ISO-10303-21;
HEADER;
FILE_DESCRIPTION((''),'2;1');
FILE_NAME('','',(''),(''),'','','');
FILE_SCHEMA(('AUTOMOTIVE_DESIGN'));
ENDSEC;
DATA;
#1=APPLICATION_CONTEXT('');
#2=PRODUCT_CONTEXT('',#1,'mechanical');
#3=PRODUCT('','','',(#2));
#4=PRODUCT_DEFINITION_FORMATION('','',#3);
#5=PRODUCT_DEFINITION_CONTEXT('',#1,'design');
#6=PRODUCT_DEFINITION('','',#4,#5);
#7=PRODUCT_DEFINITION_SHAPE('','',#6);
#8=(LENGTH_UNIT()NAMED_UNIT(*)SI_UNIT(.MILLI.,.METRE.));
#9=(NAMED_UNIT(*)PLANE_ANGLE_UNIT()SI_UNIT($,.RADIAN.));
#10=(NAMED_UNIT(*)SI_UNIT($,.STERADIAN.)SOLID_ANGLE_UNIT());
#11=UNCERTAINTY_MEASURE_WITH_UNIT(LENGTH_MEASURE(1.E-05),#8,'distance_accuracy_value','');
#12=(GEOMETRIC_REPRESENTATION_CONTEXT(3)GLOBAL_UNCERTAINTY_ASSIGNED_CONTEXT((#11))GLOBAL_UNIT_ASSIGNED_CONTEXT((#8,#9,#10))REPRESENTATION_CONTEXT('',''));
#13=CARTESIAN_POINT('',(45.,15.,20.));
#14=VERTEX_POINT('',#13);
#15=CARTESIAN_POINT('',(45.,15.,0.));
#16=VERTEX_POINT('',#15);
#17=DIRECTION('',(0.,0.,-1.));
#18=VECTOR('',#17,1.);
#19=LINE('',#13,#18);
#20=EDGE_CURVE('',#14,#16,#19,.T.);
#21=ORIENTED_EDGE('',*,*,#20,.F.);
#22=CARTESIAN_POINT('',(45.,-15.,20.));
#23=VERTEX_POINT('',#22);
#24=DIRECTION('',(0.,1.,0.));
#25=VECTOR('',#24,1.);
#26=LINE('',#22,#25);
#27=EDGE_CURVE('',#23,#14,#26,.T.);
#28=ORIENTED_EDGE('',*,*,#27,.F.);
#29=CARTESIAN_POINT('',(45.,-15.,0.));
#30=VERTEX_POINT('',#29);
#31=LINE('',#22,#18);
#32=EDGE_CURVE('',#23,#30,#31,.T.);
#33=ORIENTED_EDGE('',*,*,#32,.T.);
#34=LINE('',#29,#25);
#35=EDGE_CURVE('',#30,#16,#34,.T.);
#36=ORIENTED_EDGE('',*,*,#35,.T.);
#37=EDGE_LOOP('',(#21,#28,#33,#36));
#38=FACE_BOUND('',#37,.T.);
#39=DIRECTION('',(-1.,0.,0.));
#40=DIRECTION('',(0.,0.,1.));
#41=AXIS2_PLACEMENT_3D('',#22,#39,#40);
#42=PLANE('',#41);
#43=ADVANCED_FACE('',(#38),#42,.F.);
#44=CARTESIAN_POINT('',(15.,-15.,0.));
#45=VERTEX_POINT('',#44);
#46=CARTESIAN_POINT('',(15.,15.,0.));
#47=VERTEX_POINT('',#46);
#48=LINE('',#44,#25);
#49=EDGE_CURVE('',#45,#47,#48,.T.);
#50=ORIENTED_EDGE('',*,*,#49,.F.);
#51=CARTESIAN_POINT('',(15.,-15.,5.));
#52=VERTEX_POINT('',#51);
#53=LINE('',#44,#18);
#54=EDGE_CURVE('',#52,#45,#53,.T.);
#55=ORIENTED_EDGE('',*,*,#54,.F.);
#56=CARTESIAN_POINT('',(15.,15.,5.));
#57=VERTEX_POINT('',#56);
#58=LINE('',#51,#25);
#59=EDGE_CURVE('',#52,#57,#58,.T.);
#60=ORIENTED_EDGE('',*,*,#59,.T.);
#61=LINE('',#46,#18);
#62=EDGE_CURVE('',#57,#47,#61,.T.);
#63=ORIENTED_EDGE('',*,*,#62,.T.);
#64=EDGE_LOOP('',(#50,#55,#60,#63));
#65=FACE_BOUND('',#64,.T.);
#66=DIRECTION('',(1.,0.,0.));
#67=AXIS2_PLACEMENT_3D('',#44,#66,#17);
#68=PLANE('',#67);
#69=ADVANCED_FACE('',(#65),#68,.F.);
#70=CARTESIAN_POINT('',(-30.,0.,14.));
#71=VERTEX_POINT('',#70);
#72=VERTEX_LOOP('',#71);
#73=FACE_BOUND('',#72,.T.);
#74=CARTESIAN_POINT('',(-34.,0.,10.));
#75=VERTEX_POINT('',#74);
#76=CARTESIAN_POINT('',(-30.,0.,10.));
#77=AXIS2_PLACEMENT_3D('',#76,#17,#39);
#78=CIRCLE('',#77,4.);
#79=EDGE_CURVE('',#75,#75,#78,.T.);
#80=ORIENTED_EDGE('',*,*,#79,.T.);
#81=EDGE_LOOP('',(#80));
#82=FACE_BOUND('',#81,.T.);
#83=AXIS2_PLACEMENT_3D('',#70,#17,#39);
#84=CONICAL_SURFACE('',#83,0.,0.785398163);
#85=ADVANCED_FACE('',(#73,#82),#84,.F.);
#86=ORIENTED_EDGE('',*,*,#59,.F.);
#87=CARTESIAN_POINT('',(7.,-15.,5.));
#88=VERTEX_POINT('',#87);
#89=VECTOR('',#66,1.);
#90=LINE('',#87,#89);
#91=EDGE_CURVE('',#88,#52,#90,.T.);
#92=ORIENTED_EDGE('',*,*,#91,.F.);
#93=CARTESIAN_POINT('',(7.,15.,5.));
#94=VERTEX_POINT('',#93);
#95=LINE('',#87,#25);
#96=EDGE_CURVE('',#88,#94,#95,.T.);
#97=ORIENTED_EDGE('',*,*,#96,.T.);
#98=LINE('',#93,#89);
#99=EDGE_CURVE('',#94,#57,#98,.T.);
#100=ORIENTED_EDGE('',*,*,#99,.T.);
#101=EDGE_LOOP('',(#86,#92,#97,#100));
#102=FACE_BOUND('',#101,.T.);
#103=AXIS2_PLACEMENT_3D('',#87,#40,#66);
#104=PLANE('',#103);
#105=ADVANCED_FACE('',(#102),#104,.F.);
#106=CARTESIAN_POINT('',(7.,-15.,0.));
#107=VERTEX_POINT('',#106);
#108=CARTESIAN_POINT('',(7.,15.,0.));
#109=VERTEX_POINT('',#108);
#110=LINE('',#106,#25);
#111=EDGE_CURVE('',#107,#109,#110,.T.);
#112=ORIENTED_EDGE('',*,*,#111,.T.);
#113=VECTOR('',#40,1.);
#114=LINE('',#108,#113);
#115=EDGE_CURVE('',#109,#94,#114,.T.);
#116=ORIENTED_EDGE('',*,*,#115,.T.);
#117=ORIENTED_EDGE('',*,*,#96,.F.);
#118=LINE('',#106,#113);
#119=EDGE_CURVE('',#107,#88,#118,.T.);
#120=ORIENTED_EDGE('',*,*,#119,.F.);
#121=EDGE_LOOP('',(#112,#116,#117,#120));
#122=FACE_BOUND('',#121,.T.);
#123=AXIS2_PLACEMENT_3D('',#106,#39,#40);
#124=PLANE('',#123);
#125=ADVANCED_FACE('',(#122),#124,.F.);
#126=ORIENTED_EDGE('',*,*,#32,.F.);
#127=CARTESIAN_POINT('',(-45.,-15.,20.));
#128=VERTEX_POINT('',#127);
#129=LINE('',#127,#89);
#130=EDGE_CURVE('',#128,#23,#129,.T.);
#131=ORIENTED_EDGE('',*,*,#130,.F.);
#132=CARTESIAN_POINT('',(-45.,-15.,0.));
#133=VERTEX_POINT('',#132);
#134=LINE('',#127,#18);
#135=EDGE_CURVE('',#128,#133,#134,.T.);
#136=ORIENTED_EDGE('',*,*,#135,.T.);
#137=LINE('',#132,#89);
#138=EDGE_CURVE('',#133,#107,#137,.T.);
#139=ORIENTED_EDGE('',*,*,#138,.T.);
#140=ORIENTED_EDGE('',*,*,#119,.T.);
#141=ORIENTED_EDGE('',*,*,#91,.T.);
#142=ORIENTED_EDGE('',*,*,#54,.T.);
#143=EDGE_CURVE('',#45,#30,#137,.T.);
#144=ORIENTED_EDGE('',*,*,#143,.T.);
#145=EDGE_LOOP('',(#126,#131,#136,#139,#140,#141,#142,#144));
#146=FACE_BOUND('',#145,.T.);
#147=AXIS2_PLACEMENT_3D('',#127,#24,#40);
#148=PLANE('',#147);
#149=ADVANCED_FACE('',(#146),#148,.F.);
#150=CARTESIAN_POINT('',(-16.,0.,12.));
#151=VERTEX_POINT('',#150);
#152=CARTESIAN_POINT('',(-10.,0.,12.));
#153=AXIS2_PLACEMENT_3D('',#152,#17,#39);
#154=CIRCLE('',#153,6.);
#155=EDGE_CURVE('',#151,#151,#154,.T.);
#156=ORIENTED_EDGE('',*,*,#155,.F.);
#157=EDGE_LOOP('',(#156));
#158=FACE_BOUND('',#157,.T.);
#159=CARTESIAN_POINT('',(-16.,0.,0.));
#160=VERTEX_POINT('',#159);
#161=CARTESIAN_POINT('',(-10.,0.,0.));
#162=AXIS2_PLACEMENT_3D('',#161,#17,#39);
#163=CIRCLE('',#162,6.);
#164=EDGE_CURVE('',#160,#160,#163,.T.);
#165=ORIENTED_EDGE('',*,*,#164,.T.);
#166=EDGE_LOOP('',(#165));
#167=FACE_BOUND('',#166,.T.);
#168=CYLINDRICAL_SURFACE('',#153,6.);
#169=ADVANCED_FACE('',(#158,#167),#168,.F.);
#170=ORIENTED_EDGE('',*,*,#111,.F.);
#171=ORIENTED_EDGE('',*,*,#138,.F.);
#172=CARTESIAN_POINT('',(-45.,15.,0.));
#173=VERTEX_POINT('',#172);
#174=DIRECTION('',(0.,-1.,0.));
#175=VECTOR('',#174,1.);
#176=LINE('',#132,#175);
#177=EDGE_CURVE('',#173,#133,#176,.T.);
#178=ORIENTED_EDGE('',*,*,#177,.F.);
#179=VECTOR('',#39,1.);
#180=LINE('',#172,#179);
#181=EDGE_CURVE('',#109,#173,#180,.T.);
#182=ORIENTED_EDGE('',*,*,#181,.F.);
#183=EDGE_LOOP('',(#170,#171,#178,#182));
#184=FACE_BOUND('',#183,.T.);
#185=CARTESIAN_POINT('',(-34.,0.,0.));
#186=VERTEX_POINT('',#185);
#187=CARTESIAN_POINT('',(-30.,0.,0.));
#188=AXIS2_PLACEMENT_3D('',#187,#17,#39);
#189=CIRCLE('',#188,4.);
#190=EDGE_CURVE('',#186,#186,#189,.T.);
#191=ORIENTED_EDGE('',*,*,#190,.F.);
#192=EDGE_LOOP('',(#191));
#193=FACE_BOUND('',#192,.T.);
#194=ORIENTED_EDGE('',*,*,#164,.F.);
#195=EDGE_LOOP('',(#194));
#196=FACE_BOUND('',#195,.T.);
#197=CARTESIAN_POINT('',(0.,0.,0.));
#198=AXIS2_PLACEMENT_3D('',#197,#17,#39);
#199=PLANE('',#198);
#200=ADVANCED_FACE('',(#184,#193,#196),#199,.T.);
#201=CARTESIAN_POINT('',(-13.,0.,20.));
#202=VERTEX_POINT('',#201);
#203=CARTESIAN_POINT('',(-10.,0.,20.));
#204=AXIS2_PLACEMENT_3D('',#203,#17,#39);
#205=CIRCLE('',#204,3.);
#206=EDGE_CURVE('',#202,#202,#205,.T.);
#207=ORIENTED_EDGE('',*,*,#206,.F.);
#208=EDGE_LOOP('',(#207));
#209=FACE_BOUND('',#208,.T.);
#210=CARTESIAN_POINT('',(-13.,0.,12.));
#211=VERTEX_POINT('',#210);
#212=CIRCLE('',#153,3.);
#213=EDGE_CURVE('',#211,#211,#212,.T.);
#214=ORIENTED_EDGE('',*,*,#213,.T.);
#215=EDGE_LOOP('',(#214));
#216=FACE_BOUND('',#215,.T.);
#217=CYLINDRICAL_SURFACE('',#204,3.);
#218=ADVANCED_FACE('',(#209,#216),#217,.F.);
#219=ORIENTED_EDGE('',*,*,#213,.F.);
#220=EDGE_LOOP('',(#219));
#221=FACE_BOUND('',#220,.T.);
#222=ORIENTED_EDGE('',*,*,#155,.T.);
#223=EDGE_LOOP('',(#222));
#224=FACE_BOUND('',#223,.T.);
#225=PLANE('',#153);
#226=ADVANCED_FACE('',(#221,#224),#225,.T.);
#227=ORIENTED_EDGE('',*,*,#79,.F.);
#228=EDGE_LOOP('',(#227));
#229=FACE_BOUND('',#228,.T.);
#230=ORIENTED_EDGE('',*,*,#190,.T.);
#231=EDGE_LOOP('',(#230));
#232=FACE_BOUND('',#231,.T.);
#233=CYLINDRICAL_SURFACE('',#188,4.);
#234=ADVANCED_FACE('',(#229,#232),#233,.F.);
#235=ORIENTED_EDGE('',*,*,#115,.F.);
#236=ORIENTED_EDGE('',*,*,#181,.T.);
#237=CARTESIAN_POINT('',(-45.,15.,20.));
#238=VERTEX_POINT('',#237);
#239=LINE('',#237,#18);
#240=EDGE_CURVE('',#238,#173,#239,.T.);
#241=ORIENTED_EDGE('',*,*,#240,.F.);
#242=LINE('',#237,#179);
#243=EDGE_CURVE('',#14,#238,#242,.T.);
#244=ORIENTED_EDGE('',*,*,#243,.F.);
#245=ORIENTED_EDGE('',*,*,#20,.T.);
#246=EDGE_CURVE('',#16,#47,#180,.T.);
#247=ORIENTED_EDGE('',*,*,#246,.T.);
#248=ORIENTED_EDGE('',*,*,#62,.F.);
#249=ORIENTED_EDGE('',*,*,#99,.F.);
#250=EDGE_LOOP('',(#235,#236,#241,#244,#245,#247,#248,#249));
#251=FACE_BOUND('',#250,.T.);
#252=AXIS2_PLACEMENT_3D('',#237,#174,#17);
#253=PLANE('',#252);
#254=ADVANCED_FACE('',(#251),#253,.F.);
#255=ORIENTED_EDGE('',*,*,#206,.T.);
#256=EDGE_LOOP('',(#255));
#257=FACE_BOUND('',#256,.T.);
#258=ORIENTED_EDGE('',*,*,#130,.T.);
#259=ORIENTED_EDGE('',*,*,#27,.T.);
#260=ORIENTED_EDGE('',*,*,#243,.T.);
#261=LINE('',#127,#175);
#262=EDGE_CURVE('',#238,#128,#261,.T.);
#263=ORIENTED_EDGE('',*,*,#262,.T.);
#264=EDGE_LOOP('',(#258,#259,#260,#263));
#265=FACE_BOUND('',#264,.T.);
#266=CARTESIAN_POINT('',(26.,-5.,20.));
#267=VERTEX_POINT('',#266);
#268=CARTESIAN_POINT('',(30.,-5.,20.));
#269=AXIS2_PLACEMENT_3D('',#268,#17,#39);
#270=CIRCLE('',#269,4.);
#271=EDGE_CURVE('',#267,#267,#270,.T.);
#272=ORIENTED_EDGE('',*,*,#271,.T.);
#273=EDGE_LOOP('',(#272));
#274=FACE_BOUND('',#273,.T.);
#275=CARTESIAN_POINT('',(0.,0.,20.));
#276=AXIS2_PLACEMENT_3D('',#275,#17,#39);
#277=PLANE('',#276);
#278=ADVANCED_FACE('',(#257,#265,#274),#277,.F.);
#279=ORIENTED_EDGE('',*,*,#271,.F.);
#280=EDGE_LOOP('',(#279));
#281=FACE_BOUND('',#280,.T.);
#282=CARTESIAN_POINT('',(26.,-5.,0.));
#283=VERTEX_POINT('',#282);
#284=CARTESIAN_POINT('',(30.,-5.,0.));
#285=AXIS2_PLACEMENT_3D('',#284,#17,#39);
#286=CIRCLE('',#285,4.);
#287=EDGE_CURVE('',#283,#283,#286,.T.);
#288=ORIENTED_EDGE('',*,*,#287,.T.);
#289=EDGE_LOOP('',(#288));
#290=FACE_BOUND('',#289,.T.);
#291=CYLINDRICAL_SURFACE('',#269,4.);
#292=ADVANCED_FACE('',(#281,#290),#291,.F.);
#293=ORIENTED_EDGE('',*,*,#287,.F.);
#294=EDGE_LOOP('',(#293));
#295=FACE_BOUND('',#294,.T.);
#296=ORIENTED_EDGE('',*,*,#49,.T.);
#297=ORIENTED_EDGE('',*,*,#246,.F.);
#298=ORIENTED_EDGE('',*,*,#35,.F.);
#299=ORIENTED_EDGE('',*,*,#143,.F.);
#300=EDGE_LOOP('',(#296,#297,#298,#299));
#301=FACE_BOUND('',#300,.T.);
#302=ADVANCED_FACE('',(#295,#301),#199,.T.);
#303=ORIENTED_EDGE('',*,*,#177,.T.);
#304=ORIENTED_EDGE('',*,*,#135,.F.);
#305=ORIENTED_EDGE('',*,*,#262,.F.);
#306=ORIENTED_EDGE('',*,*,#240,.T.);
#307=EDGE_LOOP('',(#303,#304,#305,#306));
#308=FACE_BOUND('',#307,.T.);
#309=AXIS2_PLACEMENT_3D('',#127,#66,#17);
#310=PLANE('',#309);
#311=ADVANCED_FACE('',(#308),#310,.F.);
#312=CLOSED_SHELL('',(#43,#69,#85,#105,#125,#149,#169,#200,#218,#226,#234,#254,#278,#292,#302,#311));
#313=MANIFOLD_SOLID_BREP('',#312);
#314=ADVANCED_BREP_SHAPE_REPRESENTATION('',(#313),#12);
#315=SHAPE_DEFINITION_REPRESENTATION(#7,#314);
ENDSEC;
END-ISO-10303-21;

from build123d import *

# Parameters (mm, degrees)
SKETCH_1_W          = 90
SKETCH_1_H          = 30
EXTRUDE_1_DEPTH     = 20
SKETCH_3_R          = 6
CUT_EXTRUDE_1_DEPTH = 12
SKETCH_4_R          = 3
CUT_EXTRUDE_2_DEPTH = 49.928519291
SKETCH_5_W          = 8
SKETCH_5_H          = 5
CUT_EXTRUDE_3_DEPTH = 58.662812973
SKETCH_6_R          = 4
CUT_EXTRUDE_4_DEPTH = 52.478150705


with BuildPart() as part:
    # Эскиз1 → Бобышка-Вытянуть1 (new body)
    with BuildSketch(Plane.XY):
        Rectangle(SKETCH_1_W, SKETCH_1_H)
    extrude(amount=EXTRUDE_1_DEPTH)

    # Эскиз2 → Вырез-Повернуть1 (revolve, cut)
    with BuildSketch(Plane(origin=(0, 0, 0), x_dir=(1, 0, 0), z_dir=(0, 1, 0)), mode=Mode.PRIVATE) as cut_revolve_1_sk:
        Polygon((-30, 0), (-26, 0), (-26, -10), (-30, -14), align=None)
    revolve(cut_revolve_1_sk.sketch.rotate(Axis((-30, 0, 0), (0, 0, 1)), 180), axis=Axis((-30, 0, 0), (0, 0, 1)), mode=Mode.SUBTRACT)

    # Эскиз3 → Вырез-Вытянуть1 (cut)
    with BuildSketch(Plane(origin=(0, 0, 0), x_dir=(-1, 0, 0), z_dir=(0, 0, -1))):
        with Locations((10, 0)):
            Circle(SKETCH_3_R)
    extrude(amount=-CUT_EXTRUDE_1_DEPTH, mode=Mode.SUBTRACT)

    # Эскиз4 → Вырез-Вытянуть2 (cut, through all)
    with BuildSketch(Plane(origin=(0, 0, 12), x_dir=(-1, 0, 0), z_dir=(0, 0, -1))):
        with Locations((10, 0)):
            Circle(SKETCH_4_R)
    extrude(amount=-CUT_EXTRUDE_2_DEPTH, mode=Mode.SUBTRACT)

    # Эскиз5 → Вырез-Вытянуть3 (cut, through all)
    with BuildSketch(Plane(origin=(0, 15, 0), x_dir=(1, 0, 0), z_dir=(0, 1, 0))):
        with Locations((11, -2.5)):
            Rectangle(SKETCH_5_W, SKETCH_5_H)
    extrude(amount=-CUT_EXTRUDE_3_DEPTH, mode=Mode.SUBTRACT)

    # Эскиз6 → Вырез-Вытянуть4 (cut, through all)
    with BuildSketch(Plane(origin=(0, 0, 0), x_dir=(-1, 0, 0), z_dir=(0, 0, -1))):
        with Locations((-30, -5)):
            Circle(SKETCH_6_R)
    extrude(amount=-CUT_EXTRUDE_4_DEPTH, mode=Mode.SUBTRACT)


solid = part.part
